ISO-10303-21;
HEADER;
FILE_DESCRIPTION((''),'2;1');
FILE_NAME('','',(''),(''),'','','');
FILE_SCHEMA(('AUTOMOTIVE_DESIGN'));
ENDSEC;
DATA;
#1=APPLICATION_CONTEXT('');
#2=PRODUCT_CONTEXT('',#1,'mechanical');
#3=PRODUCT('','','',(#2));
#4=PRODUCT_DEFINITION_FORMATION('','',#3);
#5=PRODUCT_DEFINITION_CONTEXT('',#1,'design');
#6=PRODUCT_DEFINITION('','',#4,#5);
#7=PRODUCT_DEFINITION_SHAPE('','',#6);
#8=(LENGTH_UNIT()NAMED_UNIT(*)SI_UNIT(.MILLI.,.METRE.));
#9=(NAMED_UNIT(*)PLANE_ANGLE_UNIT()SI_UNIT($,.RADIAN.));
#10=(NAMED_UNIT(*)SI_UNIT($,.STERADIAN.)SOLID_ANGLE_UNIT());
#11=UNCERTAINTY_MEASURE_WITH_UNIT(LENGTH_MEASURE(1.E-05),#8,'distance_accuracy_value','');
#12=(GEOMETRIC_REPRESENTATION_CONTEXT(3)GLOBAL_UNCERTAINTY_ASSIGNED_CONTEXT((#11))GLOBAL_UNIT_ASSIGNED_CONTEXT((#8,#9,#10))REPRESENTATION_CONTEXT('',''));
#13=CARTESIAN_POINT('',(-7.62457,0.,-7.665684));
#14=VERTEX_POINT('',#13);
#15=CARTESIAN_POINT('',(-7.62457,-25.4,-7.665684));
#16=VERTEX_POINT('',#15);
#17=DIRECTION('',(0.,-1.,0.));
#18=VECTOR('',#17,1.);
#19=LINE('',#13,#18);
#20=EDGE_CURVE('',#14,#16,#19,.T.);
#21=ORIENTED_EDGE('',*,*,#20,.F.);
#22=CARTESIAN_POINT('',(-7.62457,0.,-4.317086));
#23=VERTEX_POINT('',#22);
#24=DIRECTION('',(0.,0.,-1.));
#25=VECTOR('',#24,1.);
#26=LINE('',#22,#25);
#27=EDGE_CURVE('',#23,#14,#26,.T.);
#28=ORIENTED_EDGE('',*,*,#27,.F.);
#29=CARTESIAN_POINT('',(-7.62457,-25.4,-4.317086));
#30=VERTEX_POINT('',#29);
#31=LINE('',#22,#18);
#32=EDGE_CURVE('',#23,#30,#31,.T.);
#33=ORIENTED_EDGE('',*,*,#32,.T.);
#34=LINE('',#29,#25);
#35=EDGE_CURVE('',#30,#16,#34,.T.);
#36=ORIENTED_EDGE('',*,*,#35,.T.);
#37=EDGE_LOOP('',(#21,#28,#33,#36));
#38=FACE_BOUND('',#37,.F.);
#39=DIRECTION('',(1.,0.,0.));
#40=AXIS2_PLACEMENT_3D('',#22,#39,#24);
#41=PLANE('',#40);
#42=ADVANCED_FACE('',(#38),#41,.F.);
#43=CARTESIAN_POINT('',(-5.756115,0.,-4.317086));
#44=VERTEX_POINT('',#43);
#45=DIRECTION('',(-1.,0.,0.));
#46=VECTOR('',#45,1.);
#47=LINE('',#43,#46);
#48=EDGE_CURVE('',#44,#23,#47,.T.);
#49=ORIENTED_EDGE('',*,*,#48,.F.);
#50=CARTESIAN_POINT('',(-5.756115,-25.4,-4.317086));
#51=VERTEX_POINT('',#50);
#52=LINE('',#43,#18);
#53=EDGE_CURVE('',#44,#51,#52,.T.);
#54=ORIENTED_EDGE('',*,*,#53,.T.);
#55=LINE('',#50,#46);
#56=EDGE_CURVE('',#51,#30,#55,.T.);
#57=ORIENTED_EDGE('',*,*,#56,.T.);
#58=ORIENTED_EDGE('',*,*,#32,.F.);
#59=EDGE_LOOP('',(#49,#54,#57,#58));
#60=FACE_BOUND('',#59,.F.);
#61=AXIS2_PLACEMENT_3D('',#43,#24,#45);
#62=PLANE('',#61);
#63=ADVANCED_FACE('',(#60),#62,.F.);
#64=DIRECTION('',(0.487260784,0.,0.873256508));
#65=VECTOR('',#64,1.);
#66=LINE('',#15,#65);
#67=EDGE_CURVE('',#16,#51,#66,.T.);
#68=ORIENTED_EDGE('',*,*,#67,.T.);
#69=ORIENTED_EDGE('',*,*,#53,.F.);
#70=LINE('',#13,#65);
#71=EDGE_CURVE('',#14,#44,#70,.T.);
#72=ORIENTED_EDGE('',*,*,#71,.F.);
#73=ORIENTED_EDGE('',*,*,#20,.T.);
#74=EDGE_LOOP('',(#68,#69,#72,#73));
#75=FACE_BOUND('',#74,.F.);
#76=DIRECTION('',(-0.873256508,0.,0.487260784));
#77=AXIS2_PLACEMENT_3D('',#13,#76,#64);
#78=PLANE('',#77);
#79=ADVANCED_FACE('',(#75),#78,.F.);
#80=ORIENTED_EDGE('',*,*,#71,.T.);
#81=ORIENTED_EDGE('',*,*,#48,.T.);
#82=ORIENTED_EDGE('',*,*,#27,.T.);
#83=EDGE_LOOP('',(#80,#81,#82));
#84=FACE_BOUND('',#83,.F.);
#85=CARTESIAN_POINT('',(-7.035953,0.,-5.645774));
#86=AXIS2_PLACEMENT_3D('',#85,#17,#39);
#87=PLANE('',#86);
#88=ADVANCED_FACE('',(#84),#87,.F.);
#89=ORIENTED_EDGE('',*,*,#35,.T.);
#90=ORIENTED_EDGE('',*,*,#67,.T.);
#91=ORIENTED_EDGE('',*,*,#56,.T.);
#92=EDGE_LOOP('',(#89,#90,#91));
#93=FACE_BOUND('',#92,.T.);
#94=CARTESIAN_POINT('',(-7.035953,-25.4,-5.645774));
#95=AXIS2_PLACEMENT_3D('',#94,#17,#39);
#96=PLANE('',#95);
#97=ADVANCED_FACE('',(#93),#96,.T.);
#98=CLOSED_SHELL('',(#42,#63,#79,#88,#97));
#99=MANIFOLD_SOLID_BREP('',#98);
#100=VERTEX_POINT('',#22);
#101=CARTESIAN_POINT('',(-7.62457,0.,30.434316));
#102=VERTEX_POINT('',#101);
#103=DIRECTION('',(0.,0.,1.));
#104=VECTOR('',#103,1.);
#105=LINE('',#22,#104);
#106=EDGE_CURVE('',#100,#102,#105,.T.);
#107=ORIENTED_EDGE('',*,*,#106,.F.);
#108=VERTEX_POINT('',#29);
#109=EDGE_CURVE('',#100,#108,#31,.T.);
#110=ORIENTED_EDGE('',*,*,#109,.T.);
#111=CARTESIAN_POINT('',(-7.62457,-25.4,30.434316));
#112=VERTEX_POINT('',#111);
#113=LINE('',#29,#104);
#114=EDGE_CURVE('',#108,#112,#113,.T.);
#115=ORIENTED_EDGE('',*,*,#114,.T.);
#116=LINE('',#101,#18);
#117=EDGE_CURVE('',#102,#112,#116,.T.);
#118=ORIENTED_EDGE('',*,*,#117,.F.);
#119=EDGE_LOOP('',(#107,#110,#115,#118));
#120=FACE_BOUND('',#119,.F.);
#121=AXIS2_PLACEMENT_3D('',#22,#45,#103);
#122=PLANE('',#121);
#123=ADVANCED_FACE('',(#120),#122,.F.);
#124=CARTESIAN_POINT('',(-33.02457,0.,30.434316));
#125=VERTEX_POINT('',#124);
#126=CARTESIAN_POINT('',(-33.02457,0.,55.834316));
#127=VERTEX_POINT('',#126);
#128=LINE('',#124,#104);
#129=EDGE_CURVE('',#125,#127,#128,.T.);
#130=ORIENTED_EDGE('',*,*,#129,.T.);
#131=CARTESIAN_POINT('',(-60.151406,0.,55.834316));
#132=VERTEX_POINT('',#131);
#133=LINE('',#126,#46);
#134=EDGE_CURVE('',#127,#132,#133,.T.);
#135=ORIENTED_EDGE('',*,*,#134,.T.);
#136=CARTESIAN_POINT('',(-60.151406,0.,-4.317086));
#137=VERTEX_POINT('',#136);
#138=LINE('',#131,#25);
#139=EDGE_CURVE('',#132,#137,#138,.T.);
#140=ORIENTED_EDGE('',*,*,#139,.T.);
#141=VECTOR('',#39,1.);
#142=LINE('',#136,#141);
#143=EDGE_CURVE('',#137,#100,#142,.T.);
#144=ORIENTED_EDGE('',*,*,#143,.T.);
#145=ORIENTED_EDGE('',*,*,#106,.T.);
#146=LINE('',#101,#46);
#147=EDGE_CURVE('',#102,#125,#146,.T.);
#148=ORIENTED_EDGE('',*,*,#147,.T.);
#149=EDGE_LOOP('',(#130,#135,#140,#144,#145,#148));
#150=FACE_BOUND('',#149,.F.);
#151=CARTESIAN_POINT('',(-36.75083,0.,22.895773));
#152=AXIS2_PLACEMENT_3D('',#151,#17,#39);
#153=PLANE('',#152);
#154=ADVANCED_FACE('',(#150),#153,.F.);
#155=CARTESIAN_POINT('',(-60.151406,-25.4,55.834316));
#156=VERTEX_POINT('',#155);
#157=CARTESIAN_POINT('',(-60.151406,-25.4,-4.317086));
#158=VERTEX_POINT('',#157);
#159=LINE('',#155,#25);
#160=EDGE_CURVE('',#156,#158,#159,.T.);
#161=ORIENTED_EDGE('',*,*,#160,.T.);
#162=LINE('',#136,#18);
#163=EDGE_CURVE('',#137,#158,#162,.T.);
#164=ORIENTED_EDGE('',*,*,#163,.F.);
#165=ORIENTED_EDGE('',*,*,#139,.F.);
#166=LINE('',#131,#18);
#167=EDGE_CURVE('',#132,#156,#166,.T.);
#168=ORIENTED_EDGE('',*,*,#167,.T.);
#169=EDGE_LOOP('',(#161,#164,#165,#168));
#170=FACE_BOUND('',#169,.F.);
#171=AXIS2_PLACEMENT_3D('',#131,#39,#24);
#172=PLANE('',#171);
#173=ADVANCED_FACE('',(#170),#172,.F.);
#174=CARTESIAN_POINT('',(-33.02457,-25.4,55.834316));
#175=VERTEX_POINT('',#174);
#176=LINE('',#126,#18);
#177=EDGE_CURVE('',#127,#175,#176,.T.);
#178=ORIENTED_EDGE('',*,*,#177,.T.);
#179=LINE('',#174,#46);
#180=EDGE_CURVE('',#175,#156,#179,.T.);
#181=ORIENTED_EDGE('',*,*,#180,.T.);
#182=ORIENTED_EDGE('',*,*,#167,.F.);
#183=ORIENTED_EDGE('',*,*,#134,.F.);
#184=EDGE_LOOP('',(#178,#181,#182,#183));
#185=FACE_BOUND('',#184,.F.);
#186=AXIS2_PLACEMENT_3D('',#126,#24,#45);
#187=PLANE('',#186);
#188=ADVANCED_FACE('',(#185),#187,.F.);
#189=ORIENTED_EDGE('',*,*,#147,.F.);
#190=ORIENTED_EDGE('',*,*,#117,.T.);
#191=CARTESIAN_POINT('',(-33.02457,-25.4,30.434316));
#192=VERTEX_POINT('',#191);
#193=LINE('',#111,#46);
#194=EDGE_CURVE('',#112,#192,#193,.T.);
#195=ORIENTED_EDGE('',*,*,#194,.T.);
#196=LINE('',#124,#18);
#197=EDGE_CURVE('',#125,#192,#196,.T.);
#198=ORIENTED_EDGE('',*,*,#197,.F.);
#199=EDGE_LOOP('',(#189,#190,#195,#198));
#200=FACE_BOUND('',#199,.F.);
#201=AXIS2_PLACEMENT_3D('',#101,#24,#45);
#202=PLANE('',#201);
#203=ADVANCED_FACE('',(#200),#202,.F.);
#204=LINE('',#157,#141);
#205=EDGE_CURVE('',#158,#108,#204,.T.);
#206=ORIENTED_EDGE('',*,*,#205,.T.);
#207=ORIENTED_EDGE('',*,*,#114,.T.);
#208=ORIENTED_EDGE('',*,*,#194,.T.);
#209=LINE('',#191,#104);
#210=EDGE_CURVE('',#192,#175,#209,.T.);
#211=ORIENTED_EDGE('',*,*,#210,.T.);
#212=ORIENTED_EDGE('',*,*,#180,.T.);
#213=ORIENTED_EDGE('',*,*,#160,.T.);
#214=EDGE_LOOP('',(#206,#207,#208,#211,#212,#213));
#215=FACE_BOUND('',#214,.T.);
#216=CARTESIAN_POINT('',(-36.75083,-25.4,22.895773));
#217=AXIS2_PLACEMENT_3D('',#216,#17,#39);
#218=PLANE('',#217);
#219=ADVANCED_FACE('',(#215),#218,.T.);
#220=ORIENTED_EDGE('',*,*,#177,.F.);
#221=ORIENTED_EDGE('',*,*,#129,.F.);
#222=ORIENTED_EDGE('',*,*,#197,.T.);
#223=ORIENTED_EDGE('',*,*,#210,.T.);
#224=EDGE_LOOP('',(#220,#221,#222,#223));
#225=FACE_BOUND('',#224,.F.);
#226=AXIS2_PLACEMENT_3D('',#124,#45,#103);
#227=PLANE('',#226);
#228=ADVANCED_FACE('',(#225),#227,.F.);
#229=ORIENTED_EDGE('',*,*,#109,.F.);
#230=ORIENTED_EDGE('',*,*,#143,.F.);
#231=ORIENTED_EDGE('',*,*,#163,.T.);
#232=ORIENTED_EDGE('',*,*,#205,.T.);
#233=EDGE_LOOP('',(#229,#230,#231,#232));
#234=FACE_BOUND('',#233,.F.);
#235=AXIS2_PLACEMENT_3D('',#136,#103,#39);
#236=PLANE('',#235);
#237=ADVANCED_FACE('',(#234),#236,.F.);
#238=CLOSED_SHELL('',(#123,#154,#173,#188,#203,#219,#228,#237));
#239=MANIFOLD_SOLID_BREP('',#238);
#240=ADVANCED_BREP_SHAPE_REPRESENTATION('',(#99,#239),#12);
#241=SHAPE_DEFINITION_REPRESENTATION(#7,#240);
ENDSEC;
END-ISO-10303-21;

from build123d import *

# Parameters (mm, degrees)
F1_DEPTH = 25.4


with BuildPart() as f1:
    # F0 (on Front) → F1 (new body)
    with BuildSketch(Plane.XZ):
        Polygon((-5.756115, -4.317086), (-7.62457, -4.317086), (-7.62457, -7.665684), align=None)
        Polygon((-33.02457, 55.834316), (-58.42457, 55.834316), (-60.151406, 55.834316), (-60.151406, -4.317086), (-7.62457, -4.317086), (-7.62457, 30.434316), (-33.02457, 30.434316), align=None)
    extrude(amount=F1_DEPTH)


solid = f1.part
